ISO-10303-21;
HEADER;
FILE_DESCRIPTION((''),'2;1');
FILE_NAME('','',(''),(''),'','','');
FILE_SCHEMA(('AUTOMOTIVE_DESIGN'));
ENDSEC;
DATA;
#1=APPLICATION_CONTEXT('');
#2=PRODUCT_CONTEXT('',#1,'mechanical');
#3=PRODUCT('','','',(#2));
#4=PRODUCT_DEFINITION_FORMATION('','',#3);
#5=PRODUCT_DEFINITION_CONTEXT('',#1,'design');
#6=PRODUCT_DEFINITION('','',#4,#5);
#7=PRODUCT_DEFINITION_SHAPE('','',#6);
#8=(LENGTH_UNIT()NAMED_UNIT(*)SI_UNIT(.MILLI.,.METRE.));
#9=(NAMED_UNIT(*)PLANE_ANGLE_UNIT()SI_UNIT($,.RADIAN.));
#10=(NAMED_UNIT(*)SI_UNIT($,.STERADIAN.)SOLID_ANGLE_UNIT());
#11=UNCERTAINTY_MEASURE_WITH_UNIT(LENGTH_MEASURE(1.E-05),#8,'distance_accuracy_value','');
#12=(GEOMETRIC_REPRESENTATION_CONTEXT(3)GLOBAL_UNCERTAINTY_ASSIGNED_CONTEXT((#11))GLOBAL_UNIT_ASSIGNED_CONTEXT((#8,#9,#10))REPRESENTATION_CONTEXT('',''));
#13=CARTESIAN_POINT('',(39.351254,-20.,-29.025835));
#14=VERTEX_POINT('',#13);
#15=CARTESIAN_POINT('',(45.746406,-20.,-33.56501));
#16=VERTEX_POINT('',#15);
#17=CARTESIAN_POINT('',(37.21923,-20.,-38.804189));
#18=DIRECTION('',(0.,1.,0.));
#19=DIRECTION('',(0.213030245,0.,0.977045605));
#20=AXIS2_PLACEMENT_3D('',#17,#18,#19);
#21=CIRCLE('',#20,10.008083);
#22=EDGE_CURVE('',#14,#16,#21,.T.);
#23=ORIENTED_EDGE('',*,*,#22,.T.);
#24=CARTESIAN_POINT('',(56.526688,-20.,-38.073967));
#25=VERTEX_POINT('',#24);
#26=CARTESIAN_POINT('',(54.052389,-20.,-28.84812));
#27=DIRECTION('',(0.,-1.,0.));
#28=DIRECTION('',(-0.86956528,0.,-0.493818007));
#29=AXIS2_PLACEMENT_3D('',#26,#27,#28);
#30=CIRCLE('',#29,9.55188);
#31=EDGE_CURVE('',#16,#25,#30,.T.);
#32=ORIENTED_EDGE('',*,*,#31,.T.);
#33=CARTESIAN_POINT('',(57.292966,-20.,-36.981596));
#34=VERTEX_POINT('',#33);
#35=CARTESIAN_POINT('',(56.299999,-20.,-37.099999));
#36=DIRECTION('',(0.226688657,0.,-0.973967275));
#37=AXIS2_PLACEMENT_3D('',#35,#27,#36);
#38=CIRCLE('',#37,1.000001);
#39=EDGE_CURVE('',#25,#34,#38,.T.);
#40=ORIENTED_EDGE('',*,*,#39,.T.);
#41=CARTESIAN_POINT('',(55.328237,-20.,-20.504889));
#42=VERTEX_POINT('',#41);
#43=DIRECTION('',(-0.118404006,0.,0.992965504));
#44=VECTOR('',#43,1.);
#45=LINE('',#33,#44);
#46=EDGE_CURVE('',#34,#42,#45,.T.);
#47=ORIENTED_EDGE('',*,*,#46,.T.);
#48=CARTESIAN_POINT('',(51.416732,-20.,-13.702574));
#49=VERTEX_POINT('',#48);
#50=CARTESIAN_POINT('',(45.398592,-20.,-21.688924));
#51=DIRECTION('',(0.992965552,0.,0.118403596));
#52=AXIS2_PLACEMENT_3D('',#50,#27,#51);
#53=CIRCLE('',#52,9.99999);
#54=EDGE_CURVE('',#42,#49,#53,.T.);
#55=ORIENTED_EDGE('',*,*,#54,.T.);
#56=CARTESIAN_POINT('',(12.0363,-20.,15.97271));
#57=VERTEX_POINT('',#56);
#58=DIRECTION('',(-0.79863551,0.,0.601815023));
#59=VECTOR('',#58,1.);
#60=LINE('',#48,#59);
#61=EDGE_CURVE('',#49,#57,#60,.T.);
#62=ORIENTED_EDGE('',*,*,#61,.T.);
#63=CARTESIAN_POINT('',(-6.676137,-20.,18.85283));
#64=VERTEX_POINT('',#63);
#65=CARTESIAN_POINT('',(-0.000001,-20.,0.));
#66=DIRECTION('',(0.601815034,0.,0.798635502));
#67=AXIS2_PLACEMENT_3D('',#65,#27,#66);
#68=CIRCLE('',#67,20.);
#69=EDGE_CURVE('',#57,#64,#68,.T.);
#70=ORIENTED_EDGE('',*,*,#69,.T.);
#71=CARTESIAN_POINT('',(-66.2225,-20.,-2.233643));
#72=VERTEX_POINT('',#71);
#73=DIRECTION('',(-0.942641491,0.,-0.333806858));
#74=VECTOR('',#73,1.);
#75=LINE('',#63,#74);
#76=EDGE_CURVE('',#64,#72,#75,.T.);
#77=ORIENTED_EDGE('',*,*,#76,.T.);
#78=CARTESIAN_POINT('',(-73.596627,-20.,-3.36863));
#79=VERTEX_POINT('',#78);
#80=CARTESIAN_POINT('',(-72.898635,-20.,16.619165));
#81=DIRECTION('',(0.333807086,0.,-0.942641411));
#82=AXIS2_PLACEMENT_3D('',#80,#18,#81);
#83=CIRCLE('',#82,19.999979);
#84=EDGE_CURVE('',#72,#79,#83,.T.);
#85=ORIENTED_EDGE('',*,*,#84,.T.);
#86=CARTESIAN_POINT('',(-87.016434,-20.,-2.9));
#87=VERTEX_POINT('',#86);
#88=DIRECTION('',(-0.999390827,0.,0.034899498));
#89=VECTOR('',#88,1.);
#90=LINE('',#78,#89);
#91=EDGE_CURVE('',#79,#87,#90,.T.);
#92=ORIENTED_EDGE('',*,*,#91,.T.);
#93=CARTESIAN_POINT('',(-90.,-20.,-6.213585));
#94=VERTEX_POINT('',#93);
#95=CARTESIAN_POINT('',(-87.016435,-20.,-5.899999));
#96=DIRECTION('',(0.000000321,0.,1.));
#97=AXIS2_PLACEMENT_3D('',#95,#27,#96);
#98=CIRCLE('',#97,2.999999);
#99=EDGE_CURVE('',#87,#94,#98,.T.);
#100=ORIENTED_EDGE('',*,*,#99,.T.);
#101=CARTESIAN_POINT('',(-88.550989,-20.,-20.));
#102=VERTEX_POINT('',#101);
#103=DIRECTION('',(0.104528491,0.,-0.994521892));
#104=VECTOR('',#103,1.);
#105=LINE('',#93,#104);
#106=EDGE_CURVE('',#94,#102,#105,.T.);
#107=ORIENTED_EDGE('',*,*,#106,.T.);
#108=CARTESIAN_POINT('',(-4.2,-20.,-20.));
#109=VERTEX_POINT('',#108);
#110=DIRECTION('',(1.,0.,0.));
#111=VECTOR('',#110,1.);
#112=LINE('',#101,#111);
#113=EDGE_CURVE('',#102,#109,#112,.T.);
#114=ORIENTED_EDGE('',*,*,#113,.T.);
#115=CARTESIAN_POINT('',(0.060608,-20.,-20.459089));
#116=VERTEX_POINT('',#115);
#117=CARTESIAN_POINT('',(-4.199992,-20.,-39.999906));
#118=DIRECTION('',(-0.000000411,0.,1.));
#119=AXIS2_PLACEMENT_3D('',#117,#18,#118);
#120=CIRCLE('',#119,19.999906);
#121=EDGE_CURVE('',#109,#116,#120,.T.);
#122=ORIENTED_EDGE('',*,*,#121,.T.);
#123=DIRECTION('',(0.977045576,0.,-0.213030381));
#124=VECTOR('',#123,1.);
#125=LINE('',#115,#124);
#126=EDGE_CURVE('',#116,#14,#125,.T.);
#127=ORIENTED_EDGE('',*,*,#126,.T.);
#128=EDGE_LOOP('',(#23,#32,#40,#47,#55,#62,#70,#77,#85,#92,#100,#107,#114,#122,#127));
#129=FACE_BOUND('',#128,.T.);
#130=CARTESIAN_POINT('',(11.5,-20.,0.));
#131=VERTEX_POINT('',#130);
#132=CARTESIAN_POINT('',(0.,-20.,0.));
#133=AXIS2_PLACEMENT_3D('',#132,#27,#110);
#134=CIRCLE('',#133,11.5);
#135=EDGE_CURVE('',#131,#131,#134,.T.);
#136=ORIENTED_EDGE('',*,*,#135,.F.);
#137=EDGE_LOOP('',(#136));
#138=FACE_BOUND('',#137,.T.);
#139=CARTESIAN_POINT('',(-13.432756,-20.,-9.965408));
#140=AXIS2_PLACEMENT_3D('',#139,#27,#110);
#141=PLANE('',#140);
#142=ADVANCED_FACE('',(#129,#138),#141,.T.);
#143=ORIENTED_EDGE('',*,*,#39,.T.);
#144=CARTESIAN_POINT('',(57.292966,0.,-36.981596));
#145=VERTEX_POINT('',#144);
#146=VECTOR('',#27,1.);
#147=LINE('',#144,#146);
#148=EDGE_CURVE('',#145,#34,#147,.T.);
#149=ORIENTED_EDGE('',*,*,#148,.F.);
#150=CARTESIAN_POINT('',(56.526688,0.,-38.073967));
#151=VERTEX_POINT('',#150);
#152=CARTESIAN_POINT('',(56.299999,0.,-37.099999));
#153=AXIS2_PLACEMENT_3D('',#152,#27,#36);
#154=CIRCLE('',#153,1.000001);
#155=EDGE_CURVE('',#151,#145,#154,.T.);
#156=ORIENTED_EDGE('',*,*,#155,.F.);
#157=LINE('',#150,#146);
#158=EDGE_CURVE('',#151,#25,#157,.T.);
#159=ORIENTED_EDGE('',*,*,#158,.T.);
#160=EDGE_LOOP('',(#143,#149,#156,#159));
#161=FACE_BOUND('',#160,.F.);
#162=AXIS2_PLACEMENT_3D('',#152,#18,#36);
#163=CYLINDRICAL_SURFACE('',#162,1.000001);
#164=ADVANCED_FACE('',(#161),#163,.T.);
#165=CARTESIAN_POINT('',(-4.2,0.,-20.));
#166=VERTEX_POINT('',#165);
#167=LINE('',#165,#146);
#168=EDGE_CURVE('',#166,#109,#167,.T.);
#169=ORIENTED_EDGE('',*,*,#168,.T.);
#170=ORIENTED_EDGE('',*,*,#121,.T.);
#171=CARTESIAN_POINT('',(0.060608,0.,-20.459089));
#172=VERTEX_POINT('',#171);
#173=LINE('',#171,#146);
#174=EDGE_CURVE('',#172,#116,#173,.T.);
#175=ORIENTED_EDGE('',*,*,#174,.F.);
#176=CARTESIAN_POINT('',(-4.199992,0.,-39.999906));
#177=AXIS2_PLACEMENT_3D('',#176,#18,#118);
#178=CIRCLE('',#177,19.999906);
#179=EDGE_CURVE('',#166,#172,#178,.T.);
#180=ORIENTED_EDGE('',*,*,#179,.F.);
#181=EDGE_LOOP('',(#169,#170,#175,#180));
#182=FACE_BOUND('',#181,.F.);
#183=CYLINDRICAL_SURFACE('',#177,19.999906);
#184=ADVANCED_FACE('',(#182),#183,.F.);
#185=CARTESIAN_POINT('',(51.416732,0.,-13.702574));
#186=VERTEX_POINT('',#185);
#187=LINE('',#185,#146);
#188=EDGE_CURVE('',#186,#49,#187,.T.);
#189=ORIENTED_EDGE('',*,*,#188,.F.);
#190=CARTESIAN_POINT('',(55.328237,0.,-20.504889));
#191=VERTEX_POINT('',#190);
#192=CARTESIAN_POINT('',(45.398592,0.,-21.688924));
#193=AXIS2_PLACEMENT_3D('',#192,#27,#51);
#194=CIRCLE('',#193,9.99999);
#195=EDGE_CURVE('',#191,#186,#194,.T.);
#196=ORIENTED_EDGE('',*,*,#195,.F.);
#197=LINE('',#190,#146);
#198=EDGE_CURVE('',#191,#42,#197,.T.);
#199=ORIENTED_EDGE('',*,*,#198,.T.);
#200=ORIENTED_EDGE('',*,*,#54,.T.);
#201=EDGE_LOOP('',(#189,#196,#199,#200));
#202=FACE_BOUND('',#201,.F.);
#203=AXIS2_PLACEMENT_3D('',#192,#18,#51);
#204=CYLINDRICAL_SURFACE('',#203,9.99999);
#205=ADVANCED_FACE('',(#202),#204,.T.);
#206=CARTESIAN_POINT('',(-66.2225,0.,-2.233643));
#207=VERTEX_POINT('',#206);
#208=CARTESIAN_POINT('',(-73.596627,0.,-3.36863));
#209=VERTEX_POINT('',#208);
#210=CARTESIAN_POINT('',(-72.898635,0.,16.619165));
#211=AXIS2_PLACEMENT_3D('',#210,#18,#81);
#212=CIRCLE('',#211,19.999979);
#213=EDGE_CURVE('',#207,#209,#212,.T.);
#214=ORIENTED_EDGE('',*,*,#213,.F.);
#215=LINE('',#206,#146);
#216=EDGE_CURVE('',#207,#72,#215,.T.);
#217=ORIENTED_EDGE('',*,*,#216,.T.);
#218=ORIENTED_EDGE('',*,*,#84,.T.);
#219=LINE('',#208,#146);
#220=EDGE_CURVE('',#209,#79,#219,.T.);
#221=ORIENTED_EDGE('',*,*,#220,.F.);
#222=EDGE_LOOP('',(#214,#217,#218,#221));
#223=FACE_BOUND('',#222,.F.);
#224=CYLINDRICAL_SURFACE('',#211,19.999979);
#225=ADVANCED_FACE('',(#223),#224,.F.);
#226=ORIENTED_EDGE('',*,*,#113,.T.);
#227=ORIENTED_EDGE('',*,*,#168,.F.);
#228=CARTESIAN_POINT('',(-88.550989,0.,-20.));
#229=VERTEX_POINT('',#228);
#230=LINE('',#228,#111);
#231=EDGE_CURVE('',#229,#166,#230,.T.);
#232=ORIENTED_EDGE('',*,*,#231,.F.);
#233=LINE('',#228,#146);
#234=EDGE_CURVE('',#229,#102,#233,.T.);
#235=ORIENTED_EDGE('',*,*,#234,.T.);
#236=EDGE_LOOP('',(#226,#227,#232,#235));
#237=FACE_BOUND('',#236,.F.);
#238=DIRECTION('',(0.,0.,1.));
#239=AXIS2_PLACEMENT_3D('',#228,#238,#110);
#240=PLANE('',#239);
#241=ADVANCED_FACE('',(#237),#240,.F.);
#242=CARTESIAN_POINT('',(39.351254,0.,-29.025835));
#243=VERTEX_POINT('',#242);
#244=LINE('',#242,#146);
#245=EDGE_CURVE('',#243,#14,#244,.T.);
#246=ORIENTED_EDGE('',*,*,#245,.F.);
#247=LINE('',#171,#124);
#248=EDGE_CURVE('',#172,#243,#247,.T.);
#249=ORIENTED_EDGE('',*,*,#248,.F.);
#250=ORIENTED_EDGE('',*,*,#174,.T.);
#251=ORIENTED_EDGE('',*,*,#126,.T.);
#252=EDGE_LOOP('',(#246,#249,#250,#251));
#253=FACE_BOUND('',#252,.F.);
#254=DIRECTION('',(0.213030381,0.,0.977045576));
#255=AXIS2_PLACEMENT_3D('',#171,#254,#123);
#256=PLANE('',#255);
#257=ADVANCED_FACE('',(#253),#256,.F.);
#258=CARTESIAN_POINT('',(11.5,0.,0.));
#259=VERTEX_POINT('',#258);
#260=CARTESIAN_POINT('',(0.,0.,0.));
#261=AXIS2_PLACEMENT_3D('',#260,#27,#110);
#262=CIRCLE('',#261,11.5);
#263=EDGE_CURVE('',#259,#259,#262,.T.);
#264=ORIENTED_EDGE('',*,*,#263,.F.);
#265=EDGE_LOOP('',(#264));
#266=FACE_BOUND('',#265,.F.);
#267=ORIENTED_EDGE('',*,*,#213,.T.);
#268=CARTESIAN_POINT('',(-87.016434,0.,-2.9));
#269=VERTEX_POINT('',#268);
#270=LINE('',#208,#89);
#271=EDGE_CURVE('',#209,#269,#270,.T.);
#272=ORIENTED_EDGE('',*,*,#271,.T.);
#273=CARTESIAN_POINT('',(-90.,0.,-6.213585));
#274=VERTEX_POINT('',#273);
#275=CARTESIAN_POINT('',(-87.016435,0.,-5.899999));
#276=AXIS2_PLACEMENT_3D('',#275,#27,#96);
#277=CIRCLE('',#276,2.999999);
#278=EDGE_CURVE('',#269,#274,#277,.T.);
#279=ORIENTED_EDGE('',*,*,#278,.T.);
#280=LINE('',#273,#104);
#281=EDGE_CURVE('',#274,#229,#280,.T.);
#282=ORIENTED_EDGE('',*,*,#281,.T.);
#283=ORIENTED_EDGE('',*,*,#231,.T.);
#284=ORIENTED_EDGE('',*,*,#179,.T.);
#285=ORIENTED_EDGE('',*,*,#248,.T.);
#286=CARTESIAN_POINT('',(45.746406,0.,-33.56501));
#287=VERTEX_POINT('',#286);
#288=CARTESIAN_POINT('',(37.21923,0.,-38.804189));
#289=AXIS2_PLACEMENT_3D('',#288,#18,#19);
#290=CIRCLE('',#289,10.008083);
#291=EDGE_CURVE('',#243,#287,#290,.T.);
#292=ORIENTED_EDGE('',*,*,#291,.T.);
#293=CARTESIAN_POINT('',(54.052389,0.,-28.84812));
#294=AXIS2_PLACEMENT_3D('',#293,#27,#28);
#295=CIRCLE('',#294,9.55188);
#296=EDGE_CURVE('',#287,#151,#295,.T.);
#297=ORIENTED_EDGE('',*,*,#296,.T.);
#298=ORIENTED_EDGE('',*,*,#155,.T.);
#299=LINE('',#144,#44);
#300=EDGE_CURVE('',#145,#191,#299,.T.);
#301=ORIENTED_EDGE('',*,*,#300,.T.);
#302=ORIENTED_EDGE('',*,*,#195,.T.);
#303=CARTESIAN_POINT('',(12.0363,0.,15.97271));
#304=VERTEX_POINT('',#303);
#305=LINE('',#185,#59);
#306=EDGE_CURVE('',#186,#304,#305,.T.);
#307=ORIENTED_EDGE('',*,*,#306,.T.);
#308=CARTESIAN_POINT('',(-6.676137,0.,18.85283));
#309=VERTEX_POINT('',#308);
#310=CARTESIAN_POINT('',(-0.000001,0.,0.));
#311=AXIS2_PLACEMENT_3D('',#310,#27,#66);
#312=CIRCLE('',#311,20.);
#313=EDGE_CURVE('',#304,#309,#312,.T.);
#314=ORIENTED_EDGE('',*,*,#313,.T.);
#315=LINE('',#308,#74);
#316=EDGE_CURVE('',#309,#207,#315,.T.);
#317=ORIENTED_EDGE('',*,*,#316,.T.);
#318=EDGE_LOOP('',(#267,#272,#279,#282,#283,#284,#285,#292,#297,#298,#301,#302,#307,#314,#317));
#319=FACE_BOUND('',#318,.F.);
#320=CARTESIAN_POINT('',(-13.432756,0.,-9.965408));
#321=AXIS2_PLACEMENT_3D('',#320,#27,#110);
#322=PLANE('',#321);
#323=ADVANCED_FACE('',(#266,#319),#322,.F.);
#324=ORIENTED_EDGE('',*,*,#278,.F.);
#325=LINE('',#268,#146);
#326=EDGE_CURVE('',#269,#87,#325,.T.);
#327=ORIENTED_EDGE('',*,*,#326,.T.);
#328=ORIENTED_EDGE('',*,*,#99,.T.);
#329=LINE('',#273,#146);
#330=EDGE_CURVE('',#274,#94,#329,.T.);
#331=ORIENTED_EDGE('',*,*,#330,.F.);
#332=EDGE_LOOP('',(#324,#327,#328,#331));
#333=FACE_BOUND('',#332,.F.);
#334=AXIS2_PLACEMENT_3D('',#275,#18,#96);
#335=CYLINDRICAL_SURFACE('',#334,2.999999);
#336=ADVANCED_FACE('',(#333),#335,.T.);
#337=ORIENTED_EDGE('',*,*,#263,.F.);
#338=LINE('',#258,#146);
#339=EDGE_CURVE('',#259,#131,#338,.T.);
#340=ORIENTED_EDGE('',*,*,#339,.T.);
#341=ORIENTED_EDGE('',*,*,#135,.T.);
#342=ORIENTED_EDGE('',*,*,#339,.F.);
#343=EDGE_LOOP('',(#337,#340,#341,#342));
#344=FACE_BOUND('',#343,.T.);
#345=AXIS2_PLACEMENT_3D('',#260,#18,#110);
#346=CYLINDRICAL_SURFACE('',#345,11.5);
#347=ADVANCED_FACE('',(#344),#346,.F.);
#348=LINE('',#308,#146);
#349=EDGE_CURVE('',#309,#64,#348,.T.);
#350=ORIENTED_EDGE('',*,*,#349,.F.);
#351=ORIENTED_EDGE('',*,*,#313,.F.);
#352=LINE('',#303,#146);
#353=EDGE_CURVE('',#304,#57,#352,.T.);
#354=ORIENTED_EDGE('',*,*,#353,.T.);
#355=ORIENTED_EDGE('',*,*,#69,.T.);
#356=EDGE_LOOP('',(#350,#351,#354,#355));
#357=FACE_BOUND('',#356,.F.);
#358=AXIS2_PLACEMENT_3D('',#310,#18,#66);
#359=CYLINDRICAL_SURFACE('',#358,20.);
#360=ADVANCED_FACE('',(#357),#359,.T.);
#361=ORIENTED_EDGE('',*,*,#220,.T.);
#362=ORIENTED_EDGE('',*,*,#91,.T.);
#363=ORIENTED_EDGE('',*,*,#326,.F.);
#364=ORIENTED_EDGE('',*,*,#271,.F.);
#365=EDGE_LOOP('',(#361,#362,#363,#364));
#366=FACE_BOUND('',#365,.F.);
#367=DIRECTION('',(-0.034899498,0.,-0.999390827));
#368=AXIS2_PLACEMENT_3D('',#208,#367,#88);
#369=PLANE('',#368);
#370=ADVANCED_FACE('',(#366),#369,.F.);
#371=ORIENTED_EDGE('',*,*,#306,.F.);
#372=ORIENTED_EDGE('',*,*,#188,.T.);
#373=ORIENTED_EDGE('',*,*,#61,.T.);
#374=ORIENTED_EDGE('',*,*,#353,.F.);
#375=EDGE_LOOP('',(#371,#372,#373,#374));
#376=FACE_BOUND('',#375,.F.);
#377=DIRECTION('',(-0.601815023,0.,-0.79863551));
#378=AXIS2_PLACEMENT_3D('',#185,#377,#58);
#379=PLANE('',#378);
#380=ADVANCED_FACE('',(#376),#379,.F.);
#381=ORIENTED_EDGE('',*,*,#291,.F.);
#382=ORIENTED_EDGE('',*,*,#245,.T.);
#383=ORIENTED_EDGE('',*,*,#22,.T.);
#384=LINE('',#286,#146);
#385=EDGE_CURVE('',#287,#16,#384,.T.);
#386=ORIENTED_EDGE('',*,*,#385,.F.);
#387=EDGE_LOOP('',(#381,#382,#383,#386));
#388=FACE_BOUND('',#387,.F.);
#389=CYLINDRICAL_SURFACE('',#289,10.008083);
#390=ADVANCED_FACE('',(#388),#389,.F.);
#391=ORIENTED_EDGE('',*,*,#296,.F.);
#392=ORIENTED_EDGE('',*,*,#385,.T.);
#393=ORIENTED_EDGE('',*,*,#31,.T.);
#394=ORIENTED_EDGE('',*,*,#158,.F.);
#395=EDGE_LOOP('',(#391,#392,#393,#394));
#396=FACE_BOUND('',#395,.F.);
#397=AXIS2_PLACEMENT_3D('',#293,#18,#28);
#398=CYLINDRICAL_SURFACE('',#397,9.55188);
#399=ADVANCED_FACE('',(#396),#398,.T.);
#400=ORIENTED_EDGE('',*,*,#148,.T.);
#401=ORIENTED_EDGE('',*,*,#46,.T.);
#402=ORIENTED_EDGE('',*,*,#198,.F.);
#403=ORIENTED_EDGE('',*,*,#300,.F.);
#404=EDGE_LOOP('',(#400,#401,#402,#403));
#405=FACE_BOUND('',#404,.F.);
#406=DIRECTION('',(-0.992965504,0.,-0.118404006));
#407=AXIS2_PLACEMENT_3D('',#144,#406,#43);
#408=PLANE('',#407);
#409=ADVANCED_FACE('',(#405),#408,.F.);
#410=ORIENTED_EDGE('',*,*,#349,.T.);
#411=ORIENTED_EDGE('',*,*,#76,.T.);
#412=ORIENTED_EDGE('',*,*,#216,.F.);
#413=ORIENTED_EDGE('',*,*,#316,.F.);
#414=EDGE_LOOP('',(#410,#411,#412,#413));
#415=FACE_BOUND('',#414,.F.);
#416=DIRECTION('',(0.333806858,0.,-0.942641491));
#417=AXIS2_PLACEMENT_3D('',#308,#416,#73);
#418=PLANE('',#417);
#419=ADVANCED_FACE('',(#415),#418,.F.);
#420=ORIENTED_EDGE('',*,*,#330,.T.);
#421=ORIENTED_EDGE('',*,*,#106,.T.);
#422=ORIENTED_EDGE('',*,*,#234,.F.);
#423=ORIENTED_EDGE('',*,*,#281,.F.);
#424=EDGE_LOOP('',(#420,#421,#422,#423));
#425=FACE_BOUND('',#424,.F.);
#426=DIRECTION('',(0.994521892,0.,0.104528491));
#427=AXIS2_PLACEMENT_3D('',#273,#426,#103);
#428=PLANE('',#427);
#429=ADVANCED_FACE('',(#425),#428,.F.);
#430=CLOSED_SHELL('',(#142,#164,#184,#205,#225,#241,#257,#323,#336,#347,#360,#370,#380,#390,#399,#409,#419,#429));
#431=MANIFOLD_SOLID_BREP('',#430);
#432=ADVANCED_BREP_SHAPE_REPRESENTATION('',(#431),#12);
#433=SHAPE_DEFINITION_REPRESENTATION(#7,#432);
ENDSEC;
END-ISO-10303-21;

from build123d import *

# Parameters (mm, degrees)
F0_R     = 11.5
F1_DEPTH = 20


with BuildPart() as f1:
    # F0 (on Front) → F1 (new body)
    with BuildSketch(Plane.XZ):
        with BuildLine():
            ThreePointArc((12.0363, 15.97271), (3.042468, 19.76723), (-6.676137, 18.85283))
            Line((-6.676137, 18.85283), (-66.2225, -2.233643))
            ThreePointArc((-66.2225, -2.233643), (-69.85617, -3.148044), (-73.596627, -3.36863))
            Line((-73.596627, -3.36863), (-87.016434, -2.9))
            ThreePointArc((-87.016434, -2.9), (-89.245869, -3.892608), (-90, -6.213585))
            Line((-90, -6.213585), (-88.550989, -20))
            Line((-88.550989, -20), (-4.2, -20))
            ThreePointArc((-4.2, -20), (-2.057365, -20.115103), (0.060608, -20.459089))
            Line((0.060608, -20.459089), (39.351254, -29.025835))
            ThreePointArc((39.351254, -29.025835), (43.011955, -30.642935), (45.746406, -33.56501))
            ThreePointArc((45.746406, -33.56501), (50.366632, -37.660248), (56.526688, -38.073967))
            ThreePointArc((56.526688, -38.073967), (57.118662, -37.674275), (57.292966, -36.981596))
            Line((57.292966, -36.981596), (55.328237, -20.504889))
            ThreePointArc((55.328237, -20.504889), (54.06755, -16.704051), (51.416732, -13.702574))
            Line((51.416732, -13.702574), (12.0363, 15.97271))
        make_face()
        Circle(F0_R, mode=Mode.SUBTRACT)
    extrude(amount=F1_DEPTH)


solid = f1.part
